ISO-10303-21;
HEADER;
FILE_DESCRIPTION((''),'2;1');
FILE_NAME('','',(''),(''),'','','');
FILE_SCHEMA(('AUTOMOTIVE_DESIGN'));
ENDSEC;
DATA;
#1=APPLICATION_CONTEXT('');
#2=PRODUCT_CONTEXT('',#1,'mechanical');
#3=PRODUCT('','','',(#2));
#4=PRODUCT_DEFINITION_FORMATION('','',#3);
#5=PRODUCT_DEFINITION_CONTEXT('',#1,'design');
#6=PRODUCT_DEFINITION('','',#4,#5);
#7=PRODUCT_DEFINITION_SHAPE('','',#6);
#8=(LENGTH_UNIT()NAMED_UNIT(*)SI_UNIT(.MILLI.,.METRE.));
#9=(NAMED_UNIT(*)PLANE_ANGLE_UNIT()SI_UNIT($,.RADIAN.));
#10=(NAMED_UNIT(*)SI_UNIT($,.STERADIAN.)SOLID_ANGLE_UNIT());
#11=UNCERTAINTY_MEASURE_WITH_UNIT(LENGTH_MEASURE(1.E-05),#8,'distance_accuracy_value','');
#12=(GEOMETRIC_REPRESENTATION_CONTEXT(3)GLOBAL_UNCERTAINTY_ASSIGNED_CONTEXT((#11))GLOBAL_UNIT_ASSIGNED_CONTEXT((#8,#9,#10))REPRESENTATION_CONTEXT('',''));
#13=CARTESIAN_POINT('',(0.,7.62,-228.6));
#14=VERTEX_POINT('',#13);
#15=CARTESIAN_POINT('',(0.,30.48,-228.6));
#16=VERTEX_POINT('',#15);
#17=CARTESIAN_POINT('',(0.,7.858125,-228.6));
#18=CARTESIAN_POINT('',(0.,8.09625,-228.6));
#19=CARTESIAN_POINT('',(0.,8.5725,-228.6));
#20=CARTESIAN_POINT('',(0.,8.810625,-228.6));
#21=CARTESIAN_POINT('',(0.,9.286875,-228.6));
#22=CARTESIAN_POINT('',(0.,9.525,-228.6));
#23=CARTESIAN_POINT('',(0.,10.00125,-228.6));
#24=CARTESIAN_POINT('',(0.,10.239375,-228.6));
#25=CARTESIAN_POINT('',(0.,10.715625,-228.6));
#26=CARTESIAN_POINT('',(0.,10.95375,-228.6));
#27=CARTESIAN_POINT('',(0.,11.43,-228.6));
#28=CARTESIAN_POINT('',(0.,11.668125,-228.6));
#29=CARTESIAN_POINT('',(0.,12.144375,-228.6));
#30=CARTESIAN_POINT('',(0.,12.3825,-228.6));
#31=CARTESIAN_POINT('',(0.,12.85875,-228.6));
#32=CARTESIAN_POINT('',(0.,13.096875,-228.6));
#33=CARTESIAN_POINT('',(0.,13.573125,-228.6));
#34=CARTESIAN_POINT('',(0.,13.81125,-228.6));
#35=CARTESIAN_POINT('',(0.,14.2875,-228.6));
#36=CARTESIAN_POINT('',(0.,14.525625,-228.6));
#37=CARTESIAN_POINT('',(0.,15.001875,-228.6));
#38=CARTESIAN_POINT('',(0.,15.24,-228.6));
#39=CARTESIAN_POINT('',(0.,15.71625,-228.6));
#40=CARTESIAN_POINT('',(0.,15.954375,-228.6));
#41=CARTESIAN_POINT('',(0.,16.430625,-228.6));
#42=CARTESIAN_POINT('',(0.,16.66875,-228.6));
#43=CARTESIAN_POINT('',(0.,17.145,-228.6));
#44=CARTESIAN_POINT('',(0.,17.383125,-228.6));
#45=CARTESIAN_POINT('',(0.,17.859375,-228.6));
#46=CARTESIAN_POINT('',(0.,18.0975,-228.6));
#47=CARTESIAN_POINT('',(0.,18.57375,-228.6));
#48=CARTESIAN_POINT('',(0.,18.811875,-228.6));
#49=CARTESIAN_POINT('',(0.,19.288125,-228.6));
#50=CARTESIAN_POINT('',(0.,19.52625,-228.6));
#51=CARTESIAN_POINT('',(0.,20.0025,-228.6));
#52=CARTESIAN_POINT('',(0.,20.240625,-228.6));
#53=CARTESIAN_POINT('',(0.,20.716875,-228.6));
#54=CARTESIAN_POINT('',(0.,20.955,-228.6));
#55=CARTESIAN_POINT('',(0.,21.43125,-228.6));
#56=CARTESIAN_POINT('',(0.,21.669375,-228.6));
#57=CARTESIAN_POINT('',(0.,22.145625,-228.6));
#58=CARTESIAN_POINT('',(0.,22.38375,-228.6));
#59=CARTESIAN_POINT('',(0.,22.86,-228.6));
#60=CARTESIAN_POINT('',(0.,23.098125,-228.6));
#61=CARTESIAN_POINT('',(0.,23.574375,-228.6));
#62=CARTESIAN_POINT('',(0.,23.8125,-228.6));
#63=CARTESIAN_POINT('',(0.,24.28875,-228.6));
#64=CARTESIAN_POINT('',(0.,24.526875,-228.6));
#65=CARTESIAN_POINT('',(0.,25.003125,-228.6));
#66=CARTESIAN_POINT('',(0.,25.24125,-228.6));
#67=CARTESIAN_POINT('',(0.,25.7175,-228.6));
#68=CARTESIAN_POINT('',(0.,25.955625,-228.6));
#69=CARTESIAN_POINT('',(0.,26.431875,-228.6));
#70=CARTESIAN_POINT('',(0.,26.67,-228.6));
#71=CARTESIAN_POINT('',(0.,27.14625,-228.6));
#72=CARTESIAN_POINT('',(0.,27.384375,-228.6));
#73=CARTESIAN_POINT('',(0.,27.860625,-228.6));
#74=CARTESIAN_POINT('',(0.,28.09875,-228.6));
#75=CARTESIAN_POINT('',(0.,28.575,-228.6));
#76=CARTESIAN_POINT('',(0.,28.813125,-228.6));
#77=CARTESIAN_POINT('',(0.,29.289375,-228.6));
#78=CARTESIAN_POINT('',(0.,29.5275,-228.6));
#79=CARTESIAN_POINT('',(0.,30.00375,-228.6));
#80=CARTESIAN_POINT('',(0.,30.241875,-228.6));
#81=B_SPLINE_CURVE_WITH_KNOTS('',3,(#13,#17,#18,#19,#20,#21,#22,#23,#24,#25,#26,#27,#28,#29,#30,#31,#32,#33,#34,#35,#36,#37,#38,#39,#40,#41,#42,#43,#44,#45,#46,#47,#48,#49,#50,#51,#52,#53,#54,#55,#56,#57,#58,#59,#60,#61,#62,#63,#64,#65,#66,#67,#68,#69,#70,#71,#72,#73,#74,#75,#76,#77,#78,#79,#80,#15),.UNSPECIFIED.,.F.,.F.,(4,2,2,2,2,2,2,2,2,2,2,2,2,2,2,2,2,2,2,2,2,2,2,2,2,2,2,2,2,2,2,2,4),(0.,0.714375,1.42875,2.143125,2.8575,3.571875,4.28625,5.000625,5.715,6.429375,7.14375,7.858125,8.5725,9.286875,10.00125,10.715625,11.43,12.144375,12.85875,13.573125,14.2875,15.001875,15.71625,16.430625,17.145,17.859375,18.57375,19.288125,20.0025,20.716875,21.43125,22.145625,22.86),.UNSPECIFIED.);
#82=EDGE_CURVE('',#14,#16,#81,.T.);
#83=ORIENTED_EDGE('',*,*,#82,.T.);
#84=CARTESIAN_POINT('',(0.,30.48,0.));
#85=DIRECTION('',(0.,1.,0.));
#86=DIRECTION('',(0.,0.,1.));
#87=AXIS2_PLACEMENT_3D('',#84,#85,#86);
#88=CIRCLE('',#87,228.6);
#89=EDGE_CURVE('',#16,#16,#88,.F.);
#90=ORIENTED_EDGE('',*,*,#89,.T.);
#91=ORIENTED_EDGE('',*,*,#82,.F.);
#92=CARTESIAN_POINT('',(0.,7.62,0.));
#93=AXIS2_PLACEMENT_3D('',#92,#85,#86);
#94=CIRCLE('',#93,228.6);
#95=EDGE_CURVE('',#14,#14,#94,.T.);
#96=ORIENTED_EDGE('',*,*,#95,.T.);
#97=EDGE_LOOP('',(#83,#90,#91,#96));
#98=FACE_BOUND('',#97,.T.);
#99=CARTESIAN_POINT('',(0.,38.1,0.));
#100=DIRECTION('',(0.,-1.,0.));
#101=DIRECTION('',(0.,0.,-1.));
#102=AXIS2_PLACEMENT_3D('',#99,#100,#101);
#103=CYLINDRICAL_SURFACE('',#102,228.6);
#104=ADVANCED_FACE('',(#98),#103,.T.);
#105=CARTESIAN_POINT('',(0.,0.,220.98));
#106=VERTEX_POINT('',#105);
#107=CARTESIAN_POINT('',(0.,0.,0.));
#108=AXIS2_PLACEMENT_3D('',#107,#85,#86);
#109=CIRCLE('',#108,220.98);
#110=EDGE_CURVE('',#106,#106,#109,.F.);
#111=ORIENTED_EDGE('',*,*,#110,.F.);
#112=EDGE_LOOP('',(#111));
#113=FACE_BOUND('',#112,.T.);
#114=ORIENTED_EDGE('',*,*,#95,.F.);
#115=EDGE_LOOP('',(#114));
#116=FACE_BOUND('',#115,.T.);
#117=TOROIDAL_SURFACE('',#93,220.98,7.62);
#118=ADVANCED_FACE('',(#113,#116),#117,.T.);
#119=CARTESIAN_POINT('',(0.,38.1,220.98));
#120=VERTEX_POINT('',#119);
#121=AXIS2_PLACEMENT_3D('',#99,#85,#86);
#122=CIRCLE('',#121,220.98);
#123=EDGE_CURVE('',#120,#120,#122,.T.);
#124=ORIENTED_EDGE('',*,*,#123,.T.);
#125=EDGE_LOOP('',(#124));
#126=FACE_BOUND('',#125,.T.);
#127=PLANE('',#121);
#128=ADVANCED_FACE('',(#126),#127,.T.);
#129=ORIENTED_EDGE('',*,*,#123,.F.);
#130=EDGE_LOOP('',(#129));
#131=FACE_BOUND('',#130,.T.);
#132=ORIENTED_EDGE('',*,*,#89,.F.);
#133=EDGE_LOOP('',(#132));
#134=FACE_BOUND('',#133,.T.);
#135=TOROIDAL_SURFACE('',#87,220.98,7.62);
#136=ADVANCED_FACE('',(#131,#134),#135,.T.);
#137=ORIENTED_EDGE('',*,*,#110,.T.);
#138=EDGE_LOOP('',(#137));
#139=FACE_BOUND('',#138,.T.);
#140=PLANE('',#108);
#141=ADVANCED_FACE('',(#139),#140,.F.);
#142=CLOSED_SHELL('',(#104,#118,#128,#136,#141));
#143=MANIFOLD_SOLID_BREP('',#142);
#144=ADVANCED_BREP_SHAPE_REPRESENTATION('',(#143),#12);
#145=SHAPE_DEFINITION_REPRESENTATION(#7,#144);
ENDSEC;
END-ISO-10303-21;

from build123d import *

# Parameters (mm, degrees)
SKETCH1_R           = 228.6
BOSS_EXTRUDE1_DEPTH = 38.1
FILLET1_R           = 7.62


with BuildPart() as part:
    # Sketch1 → Boss-Extrude1 (new body)
    with BuildSketch(Plane(origin=(0, 0, 0), x_dir=(1, 0, 0), z_dir=(0, 1, 0))):
        with Locations(Location((0, 0, 0), (0, 0, 90))):
            Circle(SKETCH1_R)
    extrude(amount=BOSS_EXTRUDE1_DEPTH)

    # Fillet1
    fillet1_edges = [part.edges().sort_by_distance(p)[0] for p in [
        (0, 0, 228.6),
        (0, 38.1, 228.6),
    ]]
    fillet(fillet1_edges, radius=FILLET1_R)


solid = part.part
